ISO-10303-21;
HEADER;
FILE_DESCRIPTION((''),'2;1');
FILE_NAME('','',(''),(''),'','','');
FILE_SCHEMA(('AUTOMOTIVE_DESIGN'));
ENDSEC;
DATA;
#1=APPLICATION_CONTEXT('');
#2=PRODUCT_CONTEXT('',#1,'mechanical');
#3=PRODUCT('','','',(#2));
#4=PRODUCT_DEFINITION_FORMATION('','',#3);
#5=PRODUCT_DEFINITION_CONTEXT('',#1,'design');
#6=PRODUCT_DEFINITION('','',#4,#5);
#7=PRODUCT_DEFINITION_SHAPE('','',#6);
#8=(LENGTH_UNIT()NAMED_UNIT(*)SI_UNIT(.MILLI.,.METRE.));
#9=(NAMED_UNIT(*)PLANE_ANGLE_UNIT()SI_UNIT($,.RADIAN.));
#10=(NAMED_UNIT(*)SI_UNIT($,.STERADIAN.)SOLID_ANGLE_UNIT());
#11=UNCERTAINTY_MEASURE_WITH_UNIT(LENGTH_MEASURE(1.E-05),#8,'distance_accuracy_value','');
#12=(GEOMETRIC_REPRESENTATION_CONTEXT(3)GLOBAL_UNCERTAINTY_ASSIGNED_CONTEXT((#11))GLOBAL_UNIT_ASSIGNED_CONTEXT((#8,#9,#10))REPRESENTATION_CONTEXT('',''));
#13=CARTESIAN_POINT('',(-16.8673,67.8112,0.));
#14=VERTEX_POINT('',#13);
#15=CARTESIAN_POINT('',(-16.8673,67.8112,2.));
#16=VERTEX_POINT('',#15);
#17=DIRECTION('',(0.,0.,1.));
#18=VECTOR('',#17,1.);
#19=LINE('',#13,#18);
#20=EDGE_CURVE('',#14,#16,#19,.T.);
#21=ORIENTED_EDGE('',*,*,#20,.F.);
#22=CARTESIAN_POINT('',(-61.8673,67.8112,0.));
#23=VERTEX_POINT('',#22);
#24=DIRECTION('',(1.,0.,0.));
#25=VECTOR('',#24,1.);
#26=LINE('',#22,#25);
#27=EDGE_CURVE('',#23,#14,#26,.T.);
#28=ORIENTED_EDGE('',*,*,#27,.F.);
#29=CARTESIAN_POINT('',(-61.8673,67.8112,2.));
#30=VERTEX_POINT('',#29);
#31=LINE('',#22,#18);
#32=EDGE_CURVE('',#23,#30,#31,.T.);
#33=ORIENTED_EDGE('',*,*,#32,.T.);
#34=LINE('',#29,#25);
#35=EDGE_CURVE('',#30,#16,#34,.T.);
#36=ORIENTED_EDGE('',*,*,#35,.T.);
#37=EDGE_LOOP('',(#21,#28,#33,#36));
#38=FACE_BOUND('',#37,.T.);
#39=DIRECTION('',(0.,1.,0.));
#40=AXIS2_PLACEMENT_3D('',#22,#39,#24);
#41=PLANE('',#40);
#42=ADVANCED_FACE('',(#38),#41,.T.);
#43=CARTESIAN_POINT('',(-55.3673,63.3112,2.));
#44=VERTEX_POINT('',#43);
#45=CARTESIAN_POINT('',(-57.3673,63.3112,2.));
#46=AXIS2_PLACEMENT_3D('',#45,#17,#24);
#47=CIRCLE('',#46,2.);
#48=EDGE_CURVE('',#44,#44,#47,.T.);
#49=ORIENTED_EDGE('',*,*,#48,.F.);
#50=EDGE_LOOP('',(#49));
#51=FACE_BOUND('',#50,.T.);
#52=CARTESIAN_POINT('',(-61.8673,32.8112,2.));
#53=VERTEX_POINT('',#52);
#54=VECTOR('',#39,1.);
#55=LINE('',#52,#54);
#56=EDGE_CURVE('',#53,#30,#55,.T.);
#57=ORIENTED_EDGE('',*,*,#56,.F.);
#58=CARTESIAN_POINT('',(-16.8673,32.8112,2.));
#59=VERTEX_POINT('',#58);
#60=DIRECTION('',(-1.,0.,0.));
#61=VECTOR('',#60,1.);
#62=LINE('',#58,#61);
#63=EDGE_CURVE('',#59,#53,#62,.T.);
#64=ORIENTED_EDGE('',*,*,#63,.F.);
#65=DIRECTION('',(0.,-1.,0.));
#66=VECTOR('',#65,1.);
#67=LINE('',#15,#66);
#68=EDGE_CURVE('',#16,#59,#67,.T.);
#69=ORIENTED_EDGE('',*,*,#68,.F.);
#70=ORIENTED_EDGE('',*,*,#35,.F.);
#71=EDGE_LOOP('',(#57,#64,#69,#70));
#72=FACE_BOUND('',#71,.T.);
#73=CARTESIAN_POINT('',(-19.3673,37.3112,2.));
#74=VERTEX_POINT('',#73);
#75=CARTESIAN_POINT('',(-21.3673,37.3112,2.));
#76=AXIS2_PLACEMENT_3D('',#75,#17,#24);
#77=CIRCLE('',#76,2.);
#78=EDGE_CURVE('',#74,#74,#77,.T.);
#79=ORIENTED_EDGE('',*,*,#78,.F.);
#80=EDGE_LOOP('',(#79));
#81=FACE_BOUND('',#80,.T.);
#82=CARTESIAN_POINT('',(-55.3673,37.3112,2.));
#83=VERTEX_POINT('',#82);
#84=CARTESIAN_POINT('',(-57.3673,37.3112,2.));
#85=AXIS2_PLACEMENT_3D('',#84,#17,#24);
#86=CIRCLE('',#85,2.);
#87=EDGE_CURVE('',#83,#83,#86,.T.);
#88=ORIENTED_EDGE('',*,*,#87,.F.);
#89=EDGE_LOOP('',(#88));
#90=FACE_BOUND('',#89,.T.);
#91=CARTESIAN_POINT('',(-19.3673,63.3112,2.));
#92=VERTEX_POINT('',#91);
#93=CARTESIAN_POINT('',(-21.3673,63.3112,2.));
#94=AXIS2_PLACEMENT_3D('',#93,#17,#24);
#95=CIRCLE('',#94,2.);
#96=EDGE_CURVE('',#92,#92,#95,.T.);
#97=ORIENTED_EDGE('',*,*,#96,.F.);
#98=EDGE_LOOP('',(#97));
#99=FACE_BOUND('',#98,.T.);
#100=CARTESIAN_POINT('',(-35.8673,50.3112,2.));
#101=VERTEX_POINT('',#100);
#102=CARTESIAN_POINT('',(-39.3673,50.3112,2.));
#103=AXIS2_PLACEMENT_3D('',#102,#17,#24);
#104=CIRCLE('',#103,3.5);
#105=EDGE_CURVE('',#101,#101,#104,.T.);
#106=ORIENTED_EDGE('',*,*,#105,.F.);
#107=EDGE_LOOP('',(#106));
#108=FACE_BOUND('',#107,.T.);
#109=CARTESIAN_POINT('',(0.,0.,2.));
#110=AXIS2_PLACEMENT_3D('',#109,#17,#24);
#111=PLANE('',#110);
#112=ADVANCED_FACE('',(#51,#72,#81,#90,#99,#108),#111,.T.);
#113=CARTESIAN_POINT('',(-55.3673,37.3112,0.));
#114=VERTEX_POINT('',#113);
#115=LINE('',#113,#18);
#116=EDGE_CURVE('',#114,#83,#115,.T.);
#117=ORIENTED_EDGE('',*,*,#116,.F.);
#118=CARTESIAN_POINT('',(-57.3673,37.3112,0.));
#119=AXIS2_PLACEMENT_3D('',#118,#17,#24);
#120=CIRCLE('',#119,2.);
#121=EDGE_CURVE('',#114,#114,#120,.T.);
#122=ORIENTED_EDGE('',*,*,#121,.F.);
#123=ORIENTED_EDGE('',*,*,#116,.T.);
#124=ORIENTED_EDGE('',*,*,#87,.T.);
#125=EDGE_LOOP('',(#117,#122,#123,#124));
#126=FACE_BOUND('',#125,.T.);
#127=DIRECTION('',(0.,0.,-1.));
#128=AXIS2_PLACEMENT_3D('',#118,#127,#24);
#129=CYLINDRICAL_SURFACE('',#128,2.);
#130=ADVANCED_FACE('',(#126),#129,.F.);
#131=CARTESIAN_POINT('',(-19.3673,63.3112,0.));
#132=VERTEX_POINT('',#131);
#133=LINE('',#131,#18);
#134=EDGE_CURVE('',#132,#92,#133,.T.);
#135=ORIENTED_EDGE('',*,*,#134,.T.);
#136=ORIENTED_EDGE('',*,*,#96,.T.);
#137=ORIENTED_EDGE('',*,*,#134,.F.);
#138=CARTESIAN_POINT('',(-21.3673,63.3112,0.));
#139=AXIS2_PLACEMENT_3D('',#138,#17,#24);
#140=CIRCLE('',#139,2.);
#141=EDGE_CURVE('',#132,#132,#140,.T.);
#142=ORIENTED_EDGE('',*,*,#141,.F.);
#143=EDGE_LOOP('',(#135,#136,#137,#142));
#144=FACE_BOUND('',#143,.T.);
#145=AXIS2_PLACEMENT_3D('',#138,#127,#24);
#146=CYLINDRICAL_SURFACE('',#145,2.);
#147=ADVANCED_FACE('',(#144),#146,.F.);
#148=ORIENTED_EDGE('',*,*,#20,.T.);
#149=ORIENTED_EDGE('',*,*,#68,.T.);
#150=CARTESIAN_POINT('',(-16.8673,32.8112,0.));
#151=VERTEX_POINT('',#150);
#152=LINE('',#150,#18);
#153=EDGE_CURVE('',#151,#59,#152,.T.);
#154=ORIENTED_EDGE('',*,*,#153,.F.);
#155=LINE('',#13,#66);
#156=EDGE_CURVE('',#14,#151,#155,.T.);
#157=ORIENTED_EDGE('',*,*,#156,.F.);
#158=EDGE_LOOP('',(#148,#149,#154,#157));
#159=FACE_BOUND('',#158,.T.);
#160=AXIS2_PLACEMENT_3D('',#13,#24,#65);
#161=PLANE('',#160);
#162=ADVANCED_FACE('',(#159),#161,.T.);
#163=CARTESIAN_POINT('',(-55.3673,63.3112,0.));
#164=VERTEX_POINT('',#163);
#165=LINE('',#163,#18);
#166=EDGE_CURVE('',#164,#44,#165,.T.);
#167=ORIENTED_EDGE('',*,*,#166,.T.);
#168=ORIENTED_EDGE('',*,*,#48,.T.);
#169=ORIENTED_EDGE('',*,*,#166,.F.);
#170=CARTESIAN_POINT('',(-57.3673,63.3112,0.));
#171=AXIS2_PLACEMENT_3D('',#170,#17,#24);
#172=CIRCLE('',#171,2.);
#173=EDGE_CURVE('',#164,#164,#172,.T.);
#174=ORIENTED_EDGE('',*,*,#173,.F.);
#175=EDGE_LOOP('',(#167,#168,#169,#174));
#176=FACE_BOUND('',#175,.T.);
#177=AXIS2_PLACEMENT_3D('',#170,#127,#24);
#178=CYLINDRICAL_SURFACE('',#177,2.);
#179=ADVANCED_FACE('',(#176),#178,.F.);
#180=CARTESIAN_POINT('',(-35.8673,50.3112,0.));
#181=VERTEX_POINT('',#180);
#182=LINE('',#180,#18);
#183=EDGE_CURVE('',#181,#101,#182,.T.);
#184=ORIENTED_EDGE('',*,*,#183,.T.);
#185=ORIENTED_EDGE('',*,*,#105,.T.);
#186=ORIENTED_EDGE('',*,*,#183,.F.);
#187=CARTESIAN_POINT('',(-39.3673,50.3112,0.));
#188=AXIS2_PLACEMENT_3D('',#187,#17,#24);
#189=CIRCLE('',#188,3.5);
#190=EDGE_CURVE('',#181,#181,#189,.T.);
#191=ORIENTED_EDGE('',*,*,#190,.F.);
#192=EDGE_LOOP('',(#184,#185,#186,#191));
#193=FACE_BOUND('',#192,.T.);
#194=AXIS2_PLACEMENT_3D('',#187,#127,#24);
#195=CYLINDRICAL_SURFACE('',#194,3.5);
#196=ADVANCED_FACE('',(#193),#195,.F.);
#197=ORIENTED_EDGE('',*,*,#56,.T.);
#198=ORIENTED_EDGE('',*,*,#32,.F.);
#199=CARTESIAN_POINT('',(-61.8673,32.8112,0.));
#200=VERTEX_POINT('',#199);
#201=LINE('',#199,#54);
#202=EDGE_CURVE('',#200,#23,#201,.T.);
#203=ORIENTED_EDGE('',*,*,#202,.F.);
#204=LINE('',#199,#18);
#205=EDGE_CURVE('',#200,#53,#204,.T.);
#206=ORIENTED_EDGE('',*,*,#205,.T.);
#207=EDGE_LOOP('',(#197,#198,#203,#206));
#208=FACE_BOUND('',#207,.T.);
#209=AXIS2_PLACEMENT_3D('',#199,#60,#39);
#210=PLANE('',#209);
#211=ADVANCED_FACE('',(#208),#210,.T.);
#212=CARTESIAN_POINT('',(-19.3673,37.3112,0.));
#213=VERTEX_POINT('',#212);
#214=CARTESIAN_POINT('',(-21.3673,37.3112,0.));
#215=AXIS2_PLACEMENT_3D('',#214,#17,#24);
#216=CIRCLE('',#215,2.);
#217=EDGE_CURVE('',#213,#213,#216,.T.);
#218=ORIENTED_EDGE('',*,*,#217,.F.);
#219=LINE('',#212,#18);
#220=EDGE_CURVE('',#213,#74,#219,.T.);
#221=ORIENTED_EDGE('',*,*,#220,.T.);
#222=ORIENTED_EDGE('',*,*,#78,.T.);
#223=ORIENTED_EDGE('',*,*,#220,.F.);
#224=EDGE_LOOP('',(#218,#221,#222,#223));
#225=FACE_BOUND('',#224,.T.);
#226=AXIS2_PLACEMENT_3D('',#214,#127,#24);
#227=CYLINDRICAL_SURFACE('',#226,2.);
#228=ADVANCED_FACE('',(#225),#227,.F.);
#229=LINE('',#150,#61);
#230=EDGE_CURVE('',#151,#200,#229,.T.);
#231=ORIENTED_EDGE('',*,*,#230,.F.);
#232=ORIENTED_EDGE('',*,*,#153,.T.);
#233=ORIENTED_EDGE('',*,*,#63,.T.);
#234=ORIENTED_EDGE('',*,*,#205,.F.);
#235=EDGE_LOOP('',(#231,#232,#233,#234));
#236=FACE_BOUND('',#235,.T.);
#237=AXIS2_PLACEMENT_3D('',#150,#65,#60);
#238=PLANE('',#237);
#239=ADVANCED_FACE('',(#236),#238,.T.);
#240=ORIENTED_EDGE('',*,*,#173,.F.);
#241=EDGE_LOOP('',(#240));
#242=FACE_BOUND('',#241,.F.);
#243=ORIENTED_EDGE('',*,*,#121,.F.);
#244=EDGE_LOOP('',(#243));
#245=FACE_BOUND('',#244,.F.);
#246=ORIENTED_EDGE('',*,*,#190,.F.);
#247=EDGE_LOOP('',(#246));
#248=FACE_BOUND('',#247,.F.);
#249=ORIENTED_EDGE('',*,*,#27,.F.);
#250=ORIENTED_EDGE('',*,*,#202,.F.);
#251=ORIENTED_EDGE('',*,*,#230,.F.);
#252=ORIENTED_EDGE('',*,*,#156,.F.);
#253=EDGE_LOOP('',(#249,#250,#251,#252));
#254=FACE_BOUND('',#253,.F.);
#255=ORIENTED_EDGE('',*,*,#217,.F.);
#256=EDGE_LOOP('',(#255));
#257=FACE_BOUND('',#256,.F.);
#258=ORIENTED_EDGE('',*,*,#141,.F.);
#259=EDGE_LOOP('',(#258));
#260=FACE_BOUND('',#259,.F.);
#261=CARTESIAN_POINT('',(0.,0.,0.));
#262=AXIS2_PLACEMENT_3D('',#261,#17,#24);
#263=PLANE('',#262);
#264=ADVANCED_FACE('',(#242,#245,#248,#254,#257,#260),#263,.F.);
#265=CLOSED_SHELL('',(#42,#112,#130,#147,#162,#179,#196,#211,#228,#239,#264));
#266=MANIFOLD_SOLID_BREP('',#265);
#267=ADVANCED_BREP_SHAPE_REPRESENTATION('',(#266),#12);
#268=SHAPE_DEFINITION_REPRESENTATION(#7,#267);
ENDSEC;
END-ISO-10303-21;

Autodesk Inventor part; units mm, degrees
ref_plane "YZ Plane" through (0, 0, 0) normal (1, 0, 0) x (0, 1, 0)
ref_plane "XZ Plane" through (0, 0, 0) normal (0, 1, 0) x (-1, 0, 0)
ref_plane "XY Plane" through (0, 0, 0) normal (0, 0, 1) x (1, 0, 0)
sketch "Sketch1" plane through (0, 0, 0) normal (0, 0, 1) x (1, 0, 0)
  line L0 (-16.8673, 67.8112) -> (-16.8673, 32.8112)
  line L1 (-16.8673, 32.8112) -> (-61.8673, 32.8112)
  line L2 (-61.8673, 32.8112) -> (-61.8673, 67.8112)
  line L3 (-61.8673, 67.8112) -> (-16.8673, 67.8112)
  circle A0 centre (-57.3673, 37.3112) radius 2
  circle A1 centre (-21.3673, 37.3112) radius 2
  circle A2 centre (-21.3673, 63.3112) radius 2
  circle A3 centre (-57.3673, 63.3112) radius 2
  circle A4 centre (-39.3673, 50.3112) radius 3.5
  point P0 (0, 0)
  dimension "d35" = 35
  dimension "d36" = 35
  dimension "d37" = 45
  dimension "d38" = 45
  dimension "d39" = 7
  dimension "d40" = 13
  dimension "d41" = 4
  dimension "d42" = 13
  dimension "d43" = 13
  dimension "d44" = 13
  dimension "d45" = 4
  dimension "d46" = 4
  dimension "d47" = 4
  dimension "d48" = 18
  dimension "d49" = 17.5
  dimension "d50" = 22.5
  dimension "d51" = 18
  dimension "d52" = 18
  dimension "d53" = 18
extrude "Extrusion1" add sketch "Sketch1" along normal blind 2
equation "\"d36\" = d35"
equation "\"d38\" = d37"
equation "\"d42\" = d40"
equation "\"d43\" = d40"
equation "\"d44\" = d42"
equation "\"d45\" = d41"
equation "\"d46\" = d41"
equation "\"d47\" = d46"
equation "\"d51\" = d48"
equation "\"d52\" = d48"
equation "\"d53\" = d51"
properties part number "Chapa para Potenciómetro" material "Aluminum 1100-H14"
